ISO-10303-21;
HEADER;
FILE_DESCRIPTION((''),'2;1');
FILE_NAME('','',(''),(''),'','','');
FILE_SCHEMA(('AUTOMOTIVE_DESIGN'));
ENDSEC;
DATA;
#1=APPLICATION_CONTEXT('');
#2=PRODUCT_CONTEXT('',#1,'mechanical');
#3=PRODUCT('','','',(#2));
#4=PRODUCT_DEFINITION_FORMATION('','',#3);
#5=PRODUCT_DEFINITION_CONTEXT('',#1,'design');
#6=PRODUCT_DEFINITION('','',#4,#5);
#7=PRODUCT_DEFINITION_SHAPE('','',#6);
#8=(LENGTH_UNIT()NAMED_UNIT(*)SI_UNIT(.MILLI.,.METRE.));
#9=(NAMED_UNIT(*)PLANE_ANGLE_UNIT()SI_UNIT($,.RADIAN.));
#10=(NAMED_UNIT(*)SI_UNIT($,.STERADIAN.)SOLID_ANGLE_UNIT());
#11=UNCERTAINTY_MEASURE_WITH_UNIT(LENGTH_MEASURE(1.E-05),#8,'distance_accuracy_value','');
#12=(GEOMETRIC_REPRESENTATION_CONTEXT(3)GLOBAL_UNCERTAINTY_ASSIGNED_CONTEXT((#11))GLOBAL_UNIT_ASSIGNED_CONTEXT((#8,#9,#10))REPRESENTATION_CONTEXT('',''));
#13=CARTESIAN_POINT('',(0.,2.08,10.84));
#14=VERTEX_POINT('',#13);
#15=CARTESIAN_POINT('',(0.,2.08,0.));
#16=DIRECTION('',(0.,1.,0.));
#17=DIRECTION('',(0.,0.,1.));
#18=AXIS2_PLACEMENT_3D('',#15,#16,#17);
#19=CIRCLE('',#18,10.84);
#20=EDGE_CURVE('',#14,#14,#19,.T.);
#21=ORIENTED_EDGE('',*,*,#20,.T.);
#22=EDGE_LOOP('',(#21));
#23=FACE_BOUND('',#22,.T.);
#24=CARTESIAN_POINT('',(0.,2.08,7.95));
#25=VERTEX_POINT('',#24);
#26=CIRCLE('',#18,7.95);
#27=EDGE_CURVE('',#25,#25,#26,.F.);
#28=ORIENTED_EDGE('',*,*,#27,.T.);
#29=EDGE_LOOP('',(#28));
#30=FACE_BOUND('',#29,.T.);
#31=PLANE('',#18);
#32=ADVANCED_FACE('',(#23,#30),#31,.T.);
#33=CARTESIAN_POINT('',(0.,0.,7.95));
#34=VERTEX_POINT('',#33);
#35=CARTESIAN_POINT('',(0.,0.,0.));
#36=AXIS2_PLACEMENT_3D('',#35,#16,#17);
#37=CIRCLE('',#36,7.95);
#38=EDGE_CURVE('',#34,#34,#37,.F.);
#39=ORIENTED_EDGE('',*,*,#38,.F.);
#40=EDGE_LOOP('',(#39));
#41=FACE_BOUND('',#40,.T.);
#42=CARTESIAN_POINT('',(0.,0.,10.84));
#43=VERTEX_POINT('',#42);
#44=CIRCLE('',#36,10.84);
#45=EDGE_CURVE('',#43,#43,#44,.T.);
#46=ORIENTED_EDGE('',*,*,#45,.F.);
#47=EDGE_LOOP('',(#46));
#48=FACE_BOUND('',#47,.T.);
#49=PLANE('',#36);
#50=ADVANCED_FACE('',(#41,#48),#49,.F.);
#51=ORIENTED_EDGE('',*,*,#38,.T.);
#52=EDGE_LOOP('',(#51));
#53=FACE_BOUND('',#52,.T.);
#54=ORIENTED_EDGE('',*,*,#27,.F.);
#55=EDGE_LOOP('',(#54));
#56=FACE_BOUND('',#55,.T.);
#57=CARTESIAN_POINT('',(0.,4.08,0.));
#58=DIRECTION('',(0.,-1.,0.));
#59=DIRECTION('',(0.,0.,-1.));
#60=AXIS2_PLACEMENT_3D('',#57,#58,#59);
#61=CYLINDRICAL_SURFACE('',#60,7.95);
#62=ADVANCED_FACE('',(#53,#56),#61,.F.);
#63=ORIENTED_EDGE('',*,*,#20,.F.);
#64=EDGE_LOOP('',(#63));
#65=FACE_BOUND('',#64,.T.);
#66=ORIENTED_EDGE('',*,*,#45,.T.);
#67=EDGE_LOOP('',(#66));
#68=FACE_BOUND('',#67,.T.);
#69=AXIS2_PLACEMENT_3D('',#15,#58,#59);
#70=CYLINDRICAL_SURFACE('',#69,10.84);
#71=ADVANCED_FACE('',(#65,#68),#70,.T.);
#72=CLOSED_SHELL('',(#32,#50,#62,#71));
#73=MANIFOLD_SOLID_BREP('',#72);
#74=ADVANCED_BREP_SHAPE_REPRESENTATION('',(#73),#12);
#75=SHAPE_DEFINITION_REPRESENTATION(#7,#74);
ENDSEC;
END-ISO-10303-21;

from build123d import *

# Parameters (mm, degrees)
IZIM1_R                     = 10.84
Y_KSEKLIK_EKSTR_ZYON1_DEPTH = 2.08
KES_EKSTR_ZYON1_DEPTH       = 2
KES_EKSTR_ZYON1_DEPTH_BACK  = 3.08
IZIM2_R                     = 7.95


with BuildPart() as part:
    # Çizim1 → Yükseklik-Ekstrüzyon1 (new body)
    with BuildSketch(Plane(origin=(0, 0, 0), x_dir=(1, 0, 0), z_dir=(0, 1, 0))):
        with Locations(Location((0, 0, 0), (0, 0, 270))):
            Circle(IZIM1_R)
    extrude(amount=Y_KSEKLIK_EKSTR_ZYON1_DEPTH)

    # Çizim2 → Kes-Ekstrüzyon1 (cut, two sides: drawn at the far end of the back side and taken through both)
    with BuildSketch(Plane(origin=(0, 2.08, 0), x_dir=(1, 0, 0), z_dir=(0, 1, 0)).offset(-KES_EKSTR_ZYON1_DEPTH_BACK)):
        with Locations(Location((0, 0, 0), (0, 0, 270))):
            Circle(IZIM2_R)
    extrude(amount=KES_EKSTR_ZYON1_DEPTH + KES_EKSTR_ZYON1_DEPTH_BACK, mode=Mode.SUBTRACT)


solid = part.part
